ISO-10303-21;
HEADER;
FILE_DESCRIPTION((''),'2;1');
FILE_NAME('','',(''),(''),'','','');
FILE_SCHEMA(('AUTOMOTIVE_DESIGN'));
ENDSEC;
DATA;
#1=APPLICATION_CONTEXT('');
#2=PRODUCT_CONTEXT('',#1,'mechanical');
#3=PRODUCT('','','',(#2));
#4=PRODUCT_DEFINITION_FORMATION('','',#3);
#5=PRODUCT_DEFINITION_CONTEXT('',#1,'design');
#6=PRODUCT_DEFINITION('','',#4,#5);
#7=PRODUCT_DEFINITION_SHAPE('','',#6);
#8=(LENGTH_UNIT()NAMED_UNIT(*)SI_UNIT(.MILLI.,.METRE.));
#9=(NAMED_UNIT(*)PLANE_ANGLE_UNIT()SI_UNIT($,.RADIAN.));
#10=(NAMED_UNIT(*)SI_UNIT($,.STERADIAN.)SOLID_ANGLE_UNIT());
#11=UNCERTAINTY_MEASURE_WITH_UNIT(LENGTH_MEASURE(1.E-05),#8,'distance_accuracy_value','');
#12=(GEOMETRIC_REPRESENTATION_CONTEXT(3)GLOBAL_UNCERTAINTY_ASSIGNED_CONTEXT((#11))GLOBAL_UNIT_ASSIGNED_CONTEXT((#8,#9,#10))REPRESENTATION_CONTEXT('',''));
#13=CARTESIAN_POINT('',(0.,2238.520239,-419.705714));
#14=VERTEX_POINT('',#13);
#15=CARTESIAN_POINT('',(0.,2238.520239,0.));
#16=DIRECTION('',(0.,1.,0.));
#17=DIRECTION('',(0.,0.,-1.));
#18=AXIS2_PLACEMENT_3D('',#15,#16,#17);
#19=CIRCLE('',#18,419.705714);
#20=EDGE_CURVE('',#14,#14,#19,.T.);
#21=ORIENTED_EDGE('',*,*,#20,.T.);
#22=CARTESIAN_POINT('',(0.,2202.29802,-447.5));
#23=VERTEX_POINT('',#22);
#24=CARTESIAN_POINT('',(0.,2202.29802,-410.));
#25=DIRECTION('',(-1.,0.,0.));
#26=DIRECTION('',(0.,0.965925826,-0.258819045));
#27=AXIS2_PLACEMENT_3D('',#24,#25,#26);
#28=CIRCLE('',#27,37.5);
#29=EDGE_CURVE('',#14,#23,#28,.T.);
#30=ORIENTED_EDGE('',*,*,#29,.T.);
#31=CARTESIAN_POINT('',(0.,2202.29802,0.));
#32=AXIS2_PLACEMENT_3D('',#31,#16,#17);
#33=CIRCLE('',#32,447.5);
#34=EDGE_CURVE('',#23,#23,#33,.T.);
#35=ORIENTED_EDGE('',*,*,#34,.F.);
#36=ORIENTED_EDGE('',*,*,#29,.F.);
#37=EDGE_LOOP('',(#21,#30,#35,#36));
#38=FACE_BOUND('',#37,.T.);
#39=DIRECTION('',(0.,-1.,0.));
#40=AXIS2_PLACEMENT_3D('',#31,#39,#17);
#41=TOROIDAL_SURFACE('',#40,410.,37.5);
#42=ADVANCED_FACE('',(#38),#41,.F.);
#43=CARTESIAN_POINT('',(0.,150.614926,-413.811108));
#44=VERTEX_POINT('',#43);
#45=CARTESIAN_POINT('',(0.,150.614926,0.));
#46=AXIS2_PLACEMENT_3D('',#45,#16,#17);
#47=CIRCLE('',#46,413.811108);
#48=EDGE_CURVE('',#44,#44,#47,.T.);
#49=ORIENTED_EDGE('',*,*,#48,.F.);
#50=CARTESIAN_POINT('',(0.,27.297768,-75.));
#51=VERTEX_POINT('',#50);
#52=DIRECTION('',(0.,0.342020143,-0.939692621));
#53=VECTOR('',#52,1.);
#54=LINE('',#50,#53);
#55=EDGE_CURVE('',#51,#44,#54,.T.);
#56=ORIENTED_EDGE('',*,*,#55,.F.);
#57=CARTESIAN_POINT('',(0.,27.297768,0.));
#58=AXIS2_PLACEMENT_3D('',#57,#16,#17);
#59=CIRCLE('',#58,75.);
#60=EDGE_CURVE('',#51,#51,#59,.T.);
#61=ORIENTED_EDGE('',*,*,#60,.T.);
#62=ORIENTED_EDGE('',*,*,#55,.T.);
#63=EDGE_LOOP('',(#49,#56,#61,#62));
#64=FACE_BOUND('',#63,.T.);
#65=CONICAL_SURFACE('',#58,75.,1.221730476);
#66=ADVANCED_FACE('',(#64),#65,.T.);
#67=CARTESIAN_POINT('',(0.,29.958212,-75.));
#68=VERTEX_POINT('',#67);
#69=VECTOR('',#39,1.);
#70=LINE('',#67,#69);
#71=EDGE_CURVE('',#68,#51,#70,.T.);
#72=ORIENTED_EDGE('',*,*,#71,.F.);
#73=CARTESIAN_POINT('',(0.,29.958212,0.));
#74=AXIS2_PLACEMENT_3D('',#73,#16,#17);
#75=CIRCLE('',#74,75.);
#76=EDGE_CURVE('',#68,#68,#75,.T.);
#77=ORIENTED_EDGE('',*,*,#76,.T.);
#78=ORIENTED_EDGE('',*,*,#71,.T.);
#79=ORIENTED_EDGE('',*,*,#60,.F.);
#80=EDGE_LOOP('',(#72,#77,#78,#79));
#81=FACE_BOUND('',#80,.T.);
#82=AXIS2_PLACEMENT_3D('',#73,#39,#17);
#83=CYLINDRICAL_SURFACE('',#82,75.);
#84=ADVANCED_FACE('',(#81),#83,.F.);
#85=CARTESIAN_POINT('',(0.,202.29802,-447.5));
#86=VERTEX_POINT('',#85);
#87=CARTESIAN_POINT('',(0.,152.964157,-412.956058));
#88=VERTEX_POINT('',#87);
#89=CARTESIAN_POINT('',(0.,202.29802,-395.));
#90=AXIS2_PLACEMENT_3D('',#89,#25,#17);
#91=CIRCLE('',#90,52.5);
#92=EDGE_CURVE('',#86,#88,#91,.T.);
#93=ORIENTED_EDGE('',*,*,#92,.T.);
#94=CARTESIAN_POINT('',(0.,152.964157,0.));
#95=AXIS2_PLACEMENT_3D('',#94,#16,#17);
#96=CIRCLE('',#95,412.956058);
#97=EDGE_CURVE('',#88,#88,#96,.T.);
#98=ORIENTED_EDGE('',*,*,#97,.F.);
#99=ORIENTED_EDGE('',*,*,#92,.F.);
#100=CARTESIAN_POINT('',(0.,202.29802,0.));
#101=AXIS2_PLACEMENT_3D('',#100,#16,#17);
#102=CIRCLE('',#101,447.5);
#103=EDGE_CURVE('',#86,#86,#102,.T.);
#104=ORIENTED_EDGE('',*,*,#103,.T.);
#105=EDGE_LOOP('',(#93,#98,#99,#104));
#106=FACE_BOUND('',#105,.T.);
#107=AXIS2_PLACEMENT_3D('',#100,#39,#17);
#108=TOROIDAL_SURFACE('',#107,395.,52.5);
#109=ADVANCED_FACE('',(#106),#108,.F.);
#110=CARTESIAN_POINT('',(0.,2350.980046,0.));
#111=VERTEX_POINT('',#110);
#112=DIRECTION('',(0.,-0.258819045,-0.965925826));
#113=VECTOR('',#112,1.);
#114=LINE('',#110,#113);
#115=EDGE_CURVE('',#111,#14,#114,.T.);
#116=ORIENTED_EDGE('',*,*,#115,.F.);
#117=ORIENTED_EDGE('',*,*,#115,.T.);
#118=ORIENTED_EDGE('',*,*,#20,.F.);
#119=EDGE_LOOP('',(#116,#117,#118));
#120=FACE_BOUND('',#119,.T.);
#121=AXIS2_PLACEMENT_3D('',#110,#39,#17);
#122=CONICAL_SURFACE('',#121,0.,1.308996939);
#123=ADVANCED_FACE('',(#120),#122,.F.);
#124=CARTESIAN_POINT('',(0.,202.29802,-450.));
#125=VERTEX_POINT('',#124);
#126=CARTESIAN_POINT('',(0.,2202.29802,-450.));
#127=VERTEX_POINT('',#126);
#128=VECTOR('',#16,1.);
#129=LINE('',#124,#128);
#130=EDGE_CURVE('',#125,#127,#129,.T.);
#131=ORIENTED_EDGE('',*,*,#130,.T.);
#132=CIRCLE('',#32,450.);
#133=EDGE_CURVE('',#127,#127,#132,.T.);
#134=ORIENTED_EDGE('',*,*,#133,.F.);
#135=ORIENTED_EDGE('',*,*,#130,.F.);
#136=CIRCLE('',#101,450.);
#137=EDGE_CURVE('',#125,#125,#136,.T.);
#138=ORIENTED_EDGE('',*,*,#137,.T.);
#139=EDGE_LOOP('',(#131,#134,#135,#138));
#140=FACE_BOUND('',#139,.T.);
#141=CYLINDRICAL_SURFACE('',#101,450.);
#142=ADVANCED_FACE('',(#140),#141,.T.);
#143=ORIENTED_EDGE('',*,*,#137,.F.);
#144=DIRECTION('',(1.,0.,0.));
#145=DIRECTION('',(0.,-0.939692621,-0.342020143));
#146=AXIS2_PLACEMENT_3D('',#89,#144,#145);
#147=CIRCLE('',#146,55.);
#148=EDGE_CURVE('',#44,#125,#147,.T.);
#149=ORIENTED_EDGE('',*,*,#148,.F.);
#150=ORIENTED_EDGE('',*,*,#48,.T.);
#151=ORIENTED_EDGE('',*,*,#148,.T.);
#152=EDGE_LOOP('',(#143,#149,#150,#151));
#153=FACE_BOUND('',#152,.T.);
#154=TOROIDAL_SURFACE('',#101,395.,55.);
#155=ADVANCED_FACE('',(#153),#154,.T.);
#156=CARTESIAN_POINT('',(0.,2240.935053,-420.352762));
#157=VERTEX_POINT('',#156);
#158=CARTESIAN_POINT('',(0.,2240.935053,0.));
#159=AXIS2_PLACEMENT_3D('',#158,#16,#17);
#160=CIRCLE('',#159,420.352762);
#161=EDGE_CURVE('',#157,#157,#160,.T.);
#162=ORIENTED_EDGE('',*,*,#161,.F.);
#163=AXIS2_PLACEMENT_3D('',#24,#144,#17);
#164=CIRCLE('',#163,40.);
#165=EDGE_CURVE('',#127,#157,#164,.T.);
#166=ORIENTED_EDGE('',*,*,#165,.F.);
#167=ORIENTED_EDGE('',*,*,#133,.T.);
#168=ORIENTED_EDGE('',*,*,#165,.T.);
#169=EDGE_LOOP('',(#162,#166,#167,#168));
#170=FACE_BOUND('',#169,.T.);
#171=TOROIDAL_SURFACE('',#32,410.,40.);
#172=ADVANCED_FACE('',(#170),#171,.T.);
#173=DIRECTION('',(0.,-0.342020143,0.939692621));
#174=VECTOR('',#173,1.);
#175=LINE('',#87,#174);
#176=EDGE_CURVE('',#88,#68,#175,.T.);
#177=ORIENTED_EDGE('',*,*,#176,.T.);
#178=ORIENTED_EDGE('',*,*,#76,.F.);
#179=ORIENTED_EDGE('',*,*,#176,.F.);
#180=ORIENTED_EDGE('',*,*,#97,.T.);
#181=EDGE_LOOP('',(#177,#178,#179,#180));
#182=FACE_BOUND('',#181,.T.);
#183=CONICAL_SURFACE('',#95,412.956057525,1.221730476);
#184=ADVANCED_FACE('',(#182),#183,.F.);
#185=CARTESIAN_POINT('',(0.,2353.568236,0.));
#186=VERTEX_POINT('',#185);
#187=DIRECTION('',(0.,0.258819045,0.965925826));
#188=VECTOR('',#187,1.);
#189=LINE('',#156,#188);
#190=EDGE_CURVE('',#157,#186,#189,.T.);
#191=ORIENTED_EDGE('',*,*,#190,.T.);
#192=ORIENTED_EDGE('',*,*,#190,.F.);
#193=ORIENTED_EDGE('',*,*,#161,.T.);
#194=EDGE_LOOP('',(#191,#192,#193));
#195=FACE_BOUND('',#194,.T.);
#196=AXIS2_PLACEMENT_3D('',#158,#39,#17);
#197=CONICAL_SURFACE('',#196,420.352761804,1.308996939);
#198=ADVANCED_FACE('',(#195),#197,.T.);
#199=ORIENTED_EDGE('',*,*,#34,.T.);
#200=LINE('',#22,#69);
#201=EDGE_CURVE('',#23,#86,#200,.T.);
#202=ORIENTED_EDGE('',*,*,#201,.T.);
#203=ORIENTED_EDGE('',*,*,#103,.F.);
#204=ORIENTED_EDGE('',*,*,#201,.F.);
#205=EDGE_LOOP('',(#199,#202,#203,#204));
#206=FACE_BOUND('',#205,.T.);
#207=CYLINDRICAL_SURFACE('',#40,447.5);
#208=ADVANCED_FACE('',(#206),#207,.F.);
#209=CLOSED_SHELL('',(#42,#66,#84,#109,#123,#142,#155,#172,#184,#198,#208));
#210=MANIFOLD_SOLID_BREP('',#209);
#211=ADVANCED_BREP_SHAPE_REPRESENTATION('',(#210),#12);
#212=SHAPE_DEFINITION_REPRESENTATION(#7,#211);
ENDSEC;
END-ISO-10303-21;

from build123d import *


with BuildPart() as part:
    # Skizze1 → Rotation4 (revolve)
    with BuildSketch(Plane.XY, mode=Mode.PRIVATE) as rotation4_sk:
        with BuildLine():
            Line((-75, 27.29776757), (-413.811107883, 150.614925878))
            ThreePointArc((-413.811107883, 150.614925878), (-440.053362436, 170.751316022), (-450, 202.298020021))
            Line((-450, 202.298020021), (-450, 2202.298020021))
            ThreePointArc((-450, 2202.298020021), (-441.734133612, 2226.648477182), (-420.352761804, 2240.935053073))
            Line((-420.352761804, 2240.935053073), (0, 2353.568236134))
            Line((0, 2353.568236134), (0, 2350.980045683))
            Line((0, 2350.980045683), (-419.705714191, 2238.520238507))
            ThreePointArc((-419.705714191, 2238.520238507), (-439.750750261, 2225.126573609), (-447.5, 2202.298020021))
            Line((-447.5, 2202.298020021), (-447.5, 202.298020021))
            ThreePointArc((-447.5, 202.298020021), (-438.005482325, 172.185257113), (-412.956057525, 152.96415743))
            Line((-412.956057525, 152.96415743), (-75, 29.958212001))
            Line((-75, 29.958212001), (-75, 27.29776757))
        make_face()
    revolve(rotation4_sk.sketch.rotate(Axis((0, 0, 0), (0, 1, 0)), 270), axis=Axis((0, 0, 0), (0, 1, 0)))  # turned: the seam where the file's is


solid = part.part
